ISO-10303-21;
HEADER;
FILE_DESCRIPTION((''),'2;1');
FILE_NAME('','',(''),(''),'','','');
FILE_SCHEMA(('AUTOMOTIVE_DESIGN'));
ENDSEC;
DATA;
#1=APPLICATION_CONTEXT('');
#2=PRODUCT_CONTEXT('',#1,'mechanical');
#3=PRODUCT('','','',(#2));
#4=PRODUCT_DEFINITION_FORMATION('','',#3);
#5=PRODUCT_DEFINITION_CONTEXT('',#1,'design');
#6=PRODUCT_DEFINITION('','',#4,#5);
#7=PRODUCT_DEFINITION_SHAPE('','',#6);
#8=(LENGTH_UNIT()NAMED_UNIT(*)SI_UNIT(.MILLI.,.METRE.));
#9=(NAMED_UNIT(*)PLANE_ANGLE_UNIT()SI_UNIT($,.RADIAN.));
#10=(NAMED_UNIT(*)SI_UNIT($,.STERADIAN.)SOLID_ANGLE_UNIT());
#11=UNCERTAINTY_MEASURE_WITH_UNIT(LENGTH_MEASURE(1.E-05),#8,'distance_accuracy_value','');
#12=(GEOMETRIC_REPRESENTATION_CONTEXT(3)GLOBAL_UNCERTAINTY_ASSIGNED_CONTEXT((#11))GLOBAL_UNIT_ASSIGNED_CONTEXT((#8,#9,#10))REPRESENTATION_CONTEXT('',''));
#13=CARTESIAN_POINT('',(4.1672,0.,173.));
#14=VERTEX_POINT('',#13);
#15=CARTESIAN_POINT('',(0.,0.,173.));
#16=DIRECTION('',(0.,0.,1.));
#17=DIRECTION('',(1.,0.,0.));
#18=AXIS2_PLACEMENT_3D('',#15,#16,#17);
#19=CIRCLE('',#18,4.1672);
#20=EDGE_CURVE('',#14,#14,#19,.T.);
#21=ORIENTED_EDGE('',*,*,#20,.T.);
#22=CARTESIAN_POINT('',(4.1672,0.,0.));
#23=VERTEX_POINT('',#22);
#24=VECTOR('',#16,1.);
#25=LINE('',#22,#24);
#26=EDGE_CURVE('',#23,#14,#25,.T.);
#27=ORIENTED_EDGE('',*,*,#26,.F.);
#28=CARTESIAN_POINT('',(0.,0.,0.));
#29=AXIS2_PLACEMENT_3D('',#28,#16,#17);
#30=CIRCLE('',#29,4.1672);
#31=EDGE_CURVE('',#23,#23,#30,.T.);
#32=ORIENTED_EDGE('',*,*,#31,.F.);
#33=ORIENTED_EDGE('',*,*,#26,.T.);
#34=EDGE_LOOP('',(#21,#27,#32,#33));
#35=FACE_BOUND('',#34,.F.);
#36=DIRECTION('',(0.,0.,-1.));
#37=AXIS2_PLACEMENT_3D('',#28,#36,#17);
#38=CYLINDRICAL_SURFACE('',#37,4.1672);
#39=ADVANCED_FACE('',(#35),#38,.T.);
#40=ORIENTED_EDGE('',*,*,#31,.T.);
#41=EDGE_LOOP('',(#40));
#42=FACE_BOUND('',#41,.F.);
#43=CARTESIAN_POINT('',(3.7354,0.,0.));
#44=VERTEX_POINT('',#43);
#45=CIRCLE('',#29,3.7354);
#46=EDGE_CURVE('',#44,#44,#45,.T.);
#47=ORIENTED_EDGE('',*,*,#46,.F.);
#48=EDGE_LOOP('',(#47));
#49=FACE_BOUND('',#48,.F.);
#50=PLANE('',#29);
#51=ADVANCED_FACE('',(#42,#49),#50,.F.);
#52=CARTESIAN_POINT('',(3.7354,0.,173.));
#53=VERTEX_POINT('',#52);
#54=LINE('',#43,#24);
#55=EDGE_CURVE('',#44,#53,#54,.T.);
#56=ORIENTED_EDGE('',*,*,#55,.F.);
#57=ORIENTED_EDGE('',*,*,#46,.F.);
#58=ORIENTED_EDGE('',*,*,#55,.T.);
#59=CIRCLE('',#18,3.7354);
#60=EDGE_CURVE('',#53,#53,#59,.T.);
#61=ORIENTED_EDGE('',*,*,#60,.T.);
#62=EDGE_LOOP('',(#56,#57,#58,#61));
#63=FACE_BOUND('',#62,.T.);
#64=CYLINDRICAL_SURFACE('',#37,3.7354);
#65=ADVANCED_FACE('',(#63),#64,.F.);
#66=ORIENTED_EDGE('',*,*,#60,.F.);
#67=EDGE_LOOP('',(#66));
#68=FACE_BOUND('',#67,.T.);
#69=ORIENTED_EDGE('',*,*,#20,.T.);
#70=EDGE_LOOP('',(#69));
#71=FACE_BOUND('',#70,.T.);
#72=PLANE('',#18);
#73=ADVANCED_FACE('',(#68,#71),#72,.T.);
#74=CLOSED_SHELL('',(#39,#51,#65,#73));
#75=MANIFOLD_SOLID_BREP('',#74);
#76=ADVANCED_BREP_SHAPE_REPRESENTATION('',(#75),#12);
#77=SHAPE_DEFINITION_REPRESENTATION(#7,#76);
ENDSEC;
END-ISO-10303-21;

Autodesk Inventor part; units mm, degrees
ref_plane "YZ Plane" through (0, 0, 0) normal (1, 0, 0) x (0, 1, 0)
ref_plane "XZ Plane" through (0, 0, 0) normal (0, 1, 0) x (-1, 0, 0)
ref_plane "XY Plane" through (0, 0, 0) normal (0, 0, 1) x (1, 0, 0)
sketch "Sketch1" plane through (0, 0, 0) normal (0, 0, 1) x (1, 0, 0)
  circle A0 centre (0, 0) radius 4.1672
  circle A1 centre (0, 0) radius 3.7354
  dimension "d0" = 8.3344
  dimension "d1" = 0.4318
  dimension "d4" = 7.4708
extrude "Extrusion1" add sketch "Sketch1" along normal blind 173
properties part number "2219_Arrowshaft"
